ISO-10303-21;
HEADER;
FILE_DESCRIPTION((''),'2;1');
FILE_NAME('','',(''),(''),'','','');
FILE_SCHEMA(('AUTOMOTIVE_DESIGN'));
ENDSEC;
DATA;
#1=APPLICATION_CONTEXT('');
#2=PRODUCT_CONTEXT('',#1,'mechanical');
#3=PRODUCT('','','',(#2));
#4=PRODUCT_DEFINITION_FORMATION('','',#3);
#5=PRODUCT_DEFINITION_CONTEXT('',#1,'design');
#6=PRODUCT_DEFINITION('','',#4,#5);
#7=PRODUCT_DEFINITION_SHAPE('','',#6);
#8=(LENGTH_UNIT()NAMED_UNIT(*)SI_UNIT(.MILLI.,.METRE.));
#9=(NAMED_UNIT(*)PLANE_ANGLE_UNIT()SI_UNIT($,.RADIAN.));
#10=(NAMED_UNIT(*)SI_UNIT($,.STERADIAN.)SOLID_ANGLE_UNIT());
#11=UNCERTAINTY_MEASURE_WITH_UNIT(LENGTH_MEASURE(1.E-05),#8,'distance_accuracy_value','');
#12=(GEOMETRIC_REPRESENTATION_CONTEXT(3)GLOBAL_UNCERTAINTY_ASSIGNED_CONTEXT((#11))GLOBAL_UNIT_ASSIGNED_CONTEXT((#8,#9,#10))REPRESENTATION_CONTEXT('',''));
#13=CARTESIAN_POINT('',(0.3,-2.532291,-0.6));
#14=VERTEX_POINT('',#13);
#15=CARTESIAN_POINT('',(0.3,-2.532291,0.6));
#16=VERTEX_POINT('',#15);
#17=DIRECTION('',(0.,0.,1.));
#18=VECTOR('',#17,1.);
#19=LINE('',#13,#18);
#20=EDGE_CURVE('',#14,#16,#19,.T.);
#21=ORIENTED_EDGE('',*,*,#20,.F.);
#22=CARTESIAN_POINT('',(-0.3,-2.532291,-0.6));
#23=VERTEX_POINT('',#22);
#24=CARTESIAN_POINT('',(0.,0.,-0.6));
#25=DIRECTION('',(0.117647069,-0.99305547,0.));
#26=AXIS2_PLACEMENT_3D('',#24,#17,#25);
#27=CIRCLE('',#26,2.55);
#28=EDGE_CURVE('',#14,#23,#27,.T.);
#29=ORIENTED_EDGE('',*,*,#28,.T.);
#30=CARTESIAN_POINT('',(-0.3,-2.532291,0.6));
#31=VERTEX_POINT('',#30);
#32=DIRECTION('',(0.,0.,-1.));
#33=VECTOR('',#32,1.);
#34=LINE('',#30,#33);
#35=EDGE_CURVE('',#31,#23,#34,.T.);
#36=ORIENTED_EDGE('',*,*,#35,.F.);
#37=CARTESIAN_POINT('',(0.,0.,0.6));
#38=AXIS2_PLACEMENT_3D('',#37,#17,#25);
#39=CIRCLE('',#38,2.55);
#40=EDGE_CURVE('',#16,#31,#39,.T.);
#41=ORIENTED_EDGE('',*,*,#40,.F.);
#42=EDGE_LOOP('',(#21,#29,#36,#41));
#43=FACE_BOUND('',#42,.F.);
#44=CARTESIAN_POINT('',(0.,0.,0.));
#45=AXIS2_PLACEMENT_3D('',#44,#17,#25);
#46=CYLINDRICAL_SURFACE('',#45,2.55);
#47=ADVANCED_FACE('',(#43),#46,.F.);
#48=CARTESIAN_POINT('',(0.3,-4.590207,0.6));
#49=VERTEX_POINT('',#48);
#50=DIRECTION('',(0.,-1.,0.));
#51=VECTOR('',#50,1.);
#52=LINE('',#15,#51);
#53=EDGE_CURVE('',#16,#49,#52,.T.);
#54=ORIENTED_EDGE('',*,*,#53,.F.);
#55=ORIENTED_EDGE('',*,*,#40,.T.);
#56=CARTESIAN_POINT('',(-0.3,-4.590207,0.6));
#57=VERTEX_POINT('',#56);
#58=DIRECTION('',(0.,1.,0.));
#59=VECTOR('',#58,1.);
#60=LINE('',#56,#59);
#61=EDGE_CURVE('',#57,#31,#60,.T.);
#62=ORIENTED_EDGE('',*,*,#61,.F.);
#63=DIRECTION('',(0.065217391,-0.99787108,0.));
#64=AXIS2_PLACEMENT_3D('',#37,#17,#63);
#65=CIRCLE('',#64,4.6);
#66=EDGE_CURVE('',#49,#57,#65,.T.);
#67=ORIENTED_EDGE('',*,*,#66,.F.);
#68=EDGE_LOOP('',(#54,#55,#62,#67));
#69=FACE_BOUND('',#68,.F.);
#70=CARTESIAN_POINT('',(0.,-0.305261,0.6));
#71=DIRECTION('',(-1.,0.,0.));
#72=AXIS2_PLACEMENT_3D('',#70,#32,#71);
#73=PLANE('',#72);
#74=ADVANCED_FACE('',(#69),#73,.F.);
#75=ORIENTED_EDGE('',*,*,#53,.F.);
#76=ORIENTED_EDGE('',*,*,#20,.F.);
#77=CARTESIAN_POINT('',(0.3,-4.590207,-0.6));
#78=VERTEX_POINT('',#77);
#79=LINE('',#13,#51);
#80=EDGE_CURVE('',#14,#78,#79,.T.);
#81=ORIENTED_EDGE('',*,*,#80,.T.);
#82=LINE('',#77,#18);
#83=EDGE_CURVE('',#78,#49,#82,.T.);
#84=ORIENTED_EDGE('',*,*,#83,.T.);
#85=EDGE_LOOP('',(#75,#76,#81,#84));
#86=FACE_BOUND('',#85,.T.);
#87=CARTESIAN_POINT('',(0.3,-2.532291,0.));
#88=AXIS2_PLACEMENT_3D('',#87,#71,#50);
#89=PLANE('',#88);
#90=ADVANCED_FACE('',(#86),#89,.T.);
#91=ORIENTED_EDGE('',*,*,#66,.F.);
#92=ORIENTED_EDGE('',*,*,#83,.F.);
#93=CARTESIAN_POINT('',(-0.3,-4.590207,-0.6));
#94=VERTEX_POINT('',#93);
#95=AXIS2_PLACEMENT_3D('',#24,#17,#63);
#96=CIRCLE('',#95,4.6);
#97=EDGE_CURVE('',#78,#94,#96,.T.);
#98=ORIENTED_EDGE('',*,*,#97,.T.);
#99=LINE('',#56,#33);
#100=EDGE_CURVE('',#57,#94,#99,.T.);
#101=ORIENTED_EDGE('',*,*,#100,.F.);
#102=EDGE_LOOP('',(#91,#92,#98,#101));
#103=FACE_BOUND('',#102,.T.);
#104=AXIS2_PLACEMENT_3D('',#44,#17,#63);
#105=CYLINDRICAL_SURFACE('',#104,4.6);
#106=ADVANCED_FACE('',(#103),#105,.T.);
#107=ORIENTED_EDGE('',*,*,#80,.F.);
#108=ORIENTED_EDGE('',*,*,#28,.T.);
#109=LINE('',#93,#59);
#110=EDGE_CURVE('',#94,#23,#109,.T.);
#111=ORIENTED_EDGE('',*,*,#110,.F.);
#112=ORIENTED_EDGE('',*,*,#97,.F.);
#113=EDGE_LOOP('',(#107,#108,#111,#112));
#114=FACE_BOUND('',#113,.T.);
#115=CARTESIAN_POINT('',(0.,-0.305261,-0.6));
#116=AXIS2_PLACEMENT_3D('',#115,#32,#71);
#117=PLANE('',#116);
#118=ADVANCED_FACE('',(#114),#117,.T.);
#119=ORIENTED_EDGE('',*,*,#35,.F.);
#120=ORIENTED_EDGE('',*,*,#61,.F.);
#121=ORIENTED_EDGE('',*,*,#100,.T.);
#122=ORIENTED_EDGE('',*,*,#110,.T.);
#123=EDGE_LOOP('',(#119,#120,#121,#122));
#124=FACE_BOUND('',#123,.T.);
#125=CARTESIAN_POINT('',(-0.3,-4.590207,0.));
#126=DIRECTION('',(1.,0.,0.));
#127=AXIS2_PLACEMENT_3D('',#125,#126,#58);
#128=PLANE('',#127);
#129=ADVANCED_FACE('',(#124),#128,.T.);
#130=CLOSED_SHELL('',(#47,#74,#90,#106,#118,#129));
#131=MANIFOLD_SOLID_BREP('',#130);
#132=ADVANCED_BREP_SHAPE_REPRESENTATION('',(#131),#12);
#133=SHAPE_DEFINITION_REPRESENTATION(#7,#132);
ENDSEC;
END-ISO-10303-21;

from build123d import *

# Parameters (mm, degrees)
PAD_DEPTH = 0.6


with BuildPart() as part:
    # Sketch → Pad (new body, symmetric)
    with BuildSketch(Plane.XY):
        with BuildLine():
            ThreePointArc((0.3, -2.532291), (0, 2.55), (-0.3, -2.532291))
            Line((-0.3, -4.590207), (-0.3, -2.532291))
            ThreePointArc((0.3, -4.590207), (0, 4.6), (-0.3, -4.590207))
            Line((0.3, -2.532291), (0.3, -4.590207))
        make_face()
    extrude(amount=PAD_DEPTH, both=True)


solid = part.part
